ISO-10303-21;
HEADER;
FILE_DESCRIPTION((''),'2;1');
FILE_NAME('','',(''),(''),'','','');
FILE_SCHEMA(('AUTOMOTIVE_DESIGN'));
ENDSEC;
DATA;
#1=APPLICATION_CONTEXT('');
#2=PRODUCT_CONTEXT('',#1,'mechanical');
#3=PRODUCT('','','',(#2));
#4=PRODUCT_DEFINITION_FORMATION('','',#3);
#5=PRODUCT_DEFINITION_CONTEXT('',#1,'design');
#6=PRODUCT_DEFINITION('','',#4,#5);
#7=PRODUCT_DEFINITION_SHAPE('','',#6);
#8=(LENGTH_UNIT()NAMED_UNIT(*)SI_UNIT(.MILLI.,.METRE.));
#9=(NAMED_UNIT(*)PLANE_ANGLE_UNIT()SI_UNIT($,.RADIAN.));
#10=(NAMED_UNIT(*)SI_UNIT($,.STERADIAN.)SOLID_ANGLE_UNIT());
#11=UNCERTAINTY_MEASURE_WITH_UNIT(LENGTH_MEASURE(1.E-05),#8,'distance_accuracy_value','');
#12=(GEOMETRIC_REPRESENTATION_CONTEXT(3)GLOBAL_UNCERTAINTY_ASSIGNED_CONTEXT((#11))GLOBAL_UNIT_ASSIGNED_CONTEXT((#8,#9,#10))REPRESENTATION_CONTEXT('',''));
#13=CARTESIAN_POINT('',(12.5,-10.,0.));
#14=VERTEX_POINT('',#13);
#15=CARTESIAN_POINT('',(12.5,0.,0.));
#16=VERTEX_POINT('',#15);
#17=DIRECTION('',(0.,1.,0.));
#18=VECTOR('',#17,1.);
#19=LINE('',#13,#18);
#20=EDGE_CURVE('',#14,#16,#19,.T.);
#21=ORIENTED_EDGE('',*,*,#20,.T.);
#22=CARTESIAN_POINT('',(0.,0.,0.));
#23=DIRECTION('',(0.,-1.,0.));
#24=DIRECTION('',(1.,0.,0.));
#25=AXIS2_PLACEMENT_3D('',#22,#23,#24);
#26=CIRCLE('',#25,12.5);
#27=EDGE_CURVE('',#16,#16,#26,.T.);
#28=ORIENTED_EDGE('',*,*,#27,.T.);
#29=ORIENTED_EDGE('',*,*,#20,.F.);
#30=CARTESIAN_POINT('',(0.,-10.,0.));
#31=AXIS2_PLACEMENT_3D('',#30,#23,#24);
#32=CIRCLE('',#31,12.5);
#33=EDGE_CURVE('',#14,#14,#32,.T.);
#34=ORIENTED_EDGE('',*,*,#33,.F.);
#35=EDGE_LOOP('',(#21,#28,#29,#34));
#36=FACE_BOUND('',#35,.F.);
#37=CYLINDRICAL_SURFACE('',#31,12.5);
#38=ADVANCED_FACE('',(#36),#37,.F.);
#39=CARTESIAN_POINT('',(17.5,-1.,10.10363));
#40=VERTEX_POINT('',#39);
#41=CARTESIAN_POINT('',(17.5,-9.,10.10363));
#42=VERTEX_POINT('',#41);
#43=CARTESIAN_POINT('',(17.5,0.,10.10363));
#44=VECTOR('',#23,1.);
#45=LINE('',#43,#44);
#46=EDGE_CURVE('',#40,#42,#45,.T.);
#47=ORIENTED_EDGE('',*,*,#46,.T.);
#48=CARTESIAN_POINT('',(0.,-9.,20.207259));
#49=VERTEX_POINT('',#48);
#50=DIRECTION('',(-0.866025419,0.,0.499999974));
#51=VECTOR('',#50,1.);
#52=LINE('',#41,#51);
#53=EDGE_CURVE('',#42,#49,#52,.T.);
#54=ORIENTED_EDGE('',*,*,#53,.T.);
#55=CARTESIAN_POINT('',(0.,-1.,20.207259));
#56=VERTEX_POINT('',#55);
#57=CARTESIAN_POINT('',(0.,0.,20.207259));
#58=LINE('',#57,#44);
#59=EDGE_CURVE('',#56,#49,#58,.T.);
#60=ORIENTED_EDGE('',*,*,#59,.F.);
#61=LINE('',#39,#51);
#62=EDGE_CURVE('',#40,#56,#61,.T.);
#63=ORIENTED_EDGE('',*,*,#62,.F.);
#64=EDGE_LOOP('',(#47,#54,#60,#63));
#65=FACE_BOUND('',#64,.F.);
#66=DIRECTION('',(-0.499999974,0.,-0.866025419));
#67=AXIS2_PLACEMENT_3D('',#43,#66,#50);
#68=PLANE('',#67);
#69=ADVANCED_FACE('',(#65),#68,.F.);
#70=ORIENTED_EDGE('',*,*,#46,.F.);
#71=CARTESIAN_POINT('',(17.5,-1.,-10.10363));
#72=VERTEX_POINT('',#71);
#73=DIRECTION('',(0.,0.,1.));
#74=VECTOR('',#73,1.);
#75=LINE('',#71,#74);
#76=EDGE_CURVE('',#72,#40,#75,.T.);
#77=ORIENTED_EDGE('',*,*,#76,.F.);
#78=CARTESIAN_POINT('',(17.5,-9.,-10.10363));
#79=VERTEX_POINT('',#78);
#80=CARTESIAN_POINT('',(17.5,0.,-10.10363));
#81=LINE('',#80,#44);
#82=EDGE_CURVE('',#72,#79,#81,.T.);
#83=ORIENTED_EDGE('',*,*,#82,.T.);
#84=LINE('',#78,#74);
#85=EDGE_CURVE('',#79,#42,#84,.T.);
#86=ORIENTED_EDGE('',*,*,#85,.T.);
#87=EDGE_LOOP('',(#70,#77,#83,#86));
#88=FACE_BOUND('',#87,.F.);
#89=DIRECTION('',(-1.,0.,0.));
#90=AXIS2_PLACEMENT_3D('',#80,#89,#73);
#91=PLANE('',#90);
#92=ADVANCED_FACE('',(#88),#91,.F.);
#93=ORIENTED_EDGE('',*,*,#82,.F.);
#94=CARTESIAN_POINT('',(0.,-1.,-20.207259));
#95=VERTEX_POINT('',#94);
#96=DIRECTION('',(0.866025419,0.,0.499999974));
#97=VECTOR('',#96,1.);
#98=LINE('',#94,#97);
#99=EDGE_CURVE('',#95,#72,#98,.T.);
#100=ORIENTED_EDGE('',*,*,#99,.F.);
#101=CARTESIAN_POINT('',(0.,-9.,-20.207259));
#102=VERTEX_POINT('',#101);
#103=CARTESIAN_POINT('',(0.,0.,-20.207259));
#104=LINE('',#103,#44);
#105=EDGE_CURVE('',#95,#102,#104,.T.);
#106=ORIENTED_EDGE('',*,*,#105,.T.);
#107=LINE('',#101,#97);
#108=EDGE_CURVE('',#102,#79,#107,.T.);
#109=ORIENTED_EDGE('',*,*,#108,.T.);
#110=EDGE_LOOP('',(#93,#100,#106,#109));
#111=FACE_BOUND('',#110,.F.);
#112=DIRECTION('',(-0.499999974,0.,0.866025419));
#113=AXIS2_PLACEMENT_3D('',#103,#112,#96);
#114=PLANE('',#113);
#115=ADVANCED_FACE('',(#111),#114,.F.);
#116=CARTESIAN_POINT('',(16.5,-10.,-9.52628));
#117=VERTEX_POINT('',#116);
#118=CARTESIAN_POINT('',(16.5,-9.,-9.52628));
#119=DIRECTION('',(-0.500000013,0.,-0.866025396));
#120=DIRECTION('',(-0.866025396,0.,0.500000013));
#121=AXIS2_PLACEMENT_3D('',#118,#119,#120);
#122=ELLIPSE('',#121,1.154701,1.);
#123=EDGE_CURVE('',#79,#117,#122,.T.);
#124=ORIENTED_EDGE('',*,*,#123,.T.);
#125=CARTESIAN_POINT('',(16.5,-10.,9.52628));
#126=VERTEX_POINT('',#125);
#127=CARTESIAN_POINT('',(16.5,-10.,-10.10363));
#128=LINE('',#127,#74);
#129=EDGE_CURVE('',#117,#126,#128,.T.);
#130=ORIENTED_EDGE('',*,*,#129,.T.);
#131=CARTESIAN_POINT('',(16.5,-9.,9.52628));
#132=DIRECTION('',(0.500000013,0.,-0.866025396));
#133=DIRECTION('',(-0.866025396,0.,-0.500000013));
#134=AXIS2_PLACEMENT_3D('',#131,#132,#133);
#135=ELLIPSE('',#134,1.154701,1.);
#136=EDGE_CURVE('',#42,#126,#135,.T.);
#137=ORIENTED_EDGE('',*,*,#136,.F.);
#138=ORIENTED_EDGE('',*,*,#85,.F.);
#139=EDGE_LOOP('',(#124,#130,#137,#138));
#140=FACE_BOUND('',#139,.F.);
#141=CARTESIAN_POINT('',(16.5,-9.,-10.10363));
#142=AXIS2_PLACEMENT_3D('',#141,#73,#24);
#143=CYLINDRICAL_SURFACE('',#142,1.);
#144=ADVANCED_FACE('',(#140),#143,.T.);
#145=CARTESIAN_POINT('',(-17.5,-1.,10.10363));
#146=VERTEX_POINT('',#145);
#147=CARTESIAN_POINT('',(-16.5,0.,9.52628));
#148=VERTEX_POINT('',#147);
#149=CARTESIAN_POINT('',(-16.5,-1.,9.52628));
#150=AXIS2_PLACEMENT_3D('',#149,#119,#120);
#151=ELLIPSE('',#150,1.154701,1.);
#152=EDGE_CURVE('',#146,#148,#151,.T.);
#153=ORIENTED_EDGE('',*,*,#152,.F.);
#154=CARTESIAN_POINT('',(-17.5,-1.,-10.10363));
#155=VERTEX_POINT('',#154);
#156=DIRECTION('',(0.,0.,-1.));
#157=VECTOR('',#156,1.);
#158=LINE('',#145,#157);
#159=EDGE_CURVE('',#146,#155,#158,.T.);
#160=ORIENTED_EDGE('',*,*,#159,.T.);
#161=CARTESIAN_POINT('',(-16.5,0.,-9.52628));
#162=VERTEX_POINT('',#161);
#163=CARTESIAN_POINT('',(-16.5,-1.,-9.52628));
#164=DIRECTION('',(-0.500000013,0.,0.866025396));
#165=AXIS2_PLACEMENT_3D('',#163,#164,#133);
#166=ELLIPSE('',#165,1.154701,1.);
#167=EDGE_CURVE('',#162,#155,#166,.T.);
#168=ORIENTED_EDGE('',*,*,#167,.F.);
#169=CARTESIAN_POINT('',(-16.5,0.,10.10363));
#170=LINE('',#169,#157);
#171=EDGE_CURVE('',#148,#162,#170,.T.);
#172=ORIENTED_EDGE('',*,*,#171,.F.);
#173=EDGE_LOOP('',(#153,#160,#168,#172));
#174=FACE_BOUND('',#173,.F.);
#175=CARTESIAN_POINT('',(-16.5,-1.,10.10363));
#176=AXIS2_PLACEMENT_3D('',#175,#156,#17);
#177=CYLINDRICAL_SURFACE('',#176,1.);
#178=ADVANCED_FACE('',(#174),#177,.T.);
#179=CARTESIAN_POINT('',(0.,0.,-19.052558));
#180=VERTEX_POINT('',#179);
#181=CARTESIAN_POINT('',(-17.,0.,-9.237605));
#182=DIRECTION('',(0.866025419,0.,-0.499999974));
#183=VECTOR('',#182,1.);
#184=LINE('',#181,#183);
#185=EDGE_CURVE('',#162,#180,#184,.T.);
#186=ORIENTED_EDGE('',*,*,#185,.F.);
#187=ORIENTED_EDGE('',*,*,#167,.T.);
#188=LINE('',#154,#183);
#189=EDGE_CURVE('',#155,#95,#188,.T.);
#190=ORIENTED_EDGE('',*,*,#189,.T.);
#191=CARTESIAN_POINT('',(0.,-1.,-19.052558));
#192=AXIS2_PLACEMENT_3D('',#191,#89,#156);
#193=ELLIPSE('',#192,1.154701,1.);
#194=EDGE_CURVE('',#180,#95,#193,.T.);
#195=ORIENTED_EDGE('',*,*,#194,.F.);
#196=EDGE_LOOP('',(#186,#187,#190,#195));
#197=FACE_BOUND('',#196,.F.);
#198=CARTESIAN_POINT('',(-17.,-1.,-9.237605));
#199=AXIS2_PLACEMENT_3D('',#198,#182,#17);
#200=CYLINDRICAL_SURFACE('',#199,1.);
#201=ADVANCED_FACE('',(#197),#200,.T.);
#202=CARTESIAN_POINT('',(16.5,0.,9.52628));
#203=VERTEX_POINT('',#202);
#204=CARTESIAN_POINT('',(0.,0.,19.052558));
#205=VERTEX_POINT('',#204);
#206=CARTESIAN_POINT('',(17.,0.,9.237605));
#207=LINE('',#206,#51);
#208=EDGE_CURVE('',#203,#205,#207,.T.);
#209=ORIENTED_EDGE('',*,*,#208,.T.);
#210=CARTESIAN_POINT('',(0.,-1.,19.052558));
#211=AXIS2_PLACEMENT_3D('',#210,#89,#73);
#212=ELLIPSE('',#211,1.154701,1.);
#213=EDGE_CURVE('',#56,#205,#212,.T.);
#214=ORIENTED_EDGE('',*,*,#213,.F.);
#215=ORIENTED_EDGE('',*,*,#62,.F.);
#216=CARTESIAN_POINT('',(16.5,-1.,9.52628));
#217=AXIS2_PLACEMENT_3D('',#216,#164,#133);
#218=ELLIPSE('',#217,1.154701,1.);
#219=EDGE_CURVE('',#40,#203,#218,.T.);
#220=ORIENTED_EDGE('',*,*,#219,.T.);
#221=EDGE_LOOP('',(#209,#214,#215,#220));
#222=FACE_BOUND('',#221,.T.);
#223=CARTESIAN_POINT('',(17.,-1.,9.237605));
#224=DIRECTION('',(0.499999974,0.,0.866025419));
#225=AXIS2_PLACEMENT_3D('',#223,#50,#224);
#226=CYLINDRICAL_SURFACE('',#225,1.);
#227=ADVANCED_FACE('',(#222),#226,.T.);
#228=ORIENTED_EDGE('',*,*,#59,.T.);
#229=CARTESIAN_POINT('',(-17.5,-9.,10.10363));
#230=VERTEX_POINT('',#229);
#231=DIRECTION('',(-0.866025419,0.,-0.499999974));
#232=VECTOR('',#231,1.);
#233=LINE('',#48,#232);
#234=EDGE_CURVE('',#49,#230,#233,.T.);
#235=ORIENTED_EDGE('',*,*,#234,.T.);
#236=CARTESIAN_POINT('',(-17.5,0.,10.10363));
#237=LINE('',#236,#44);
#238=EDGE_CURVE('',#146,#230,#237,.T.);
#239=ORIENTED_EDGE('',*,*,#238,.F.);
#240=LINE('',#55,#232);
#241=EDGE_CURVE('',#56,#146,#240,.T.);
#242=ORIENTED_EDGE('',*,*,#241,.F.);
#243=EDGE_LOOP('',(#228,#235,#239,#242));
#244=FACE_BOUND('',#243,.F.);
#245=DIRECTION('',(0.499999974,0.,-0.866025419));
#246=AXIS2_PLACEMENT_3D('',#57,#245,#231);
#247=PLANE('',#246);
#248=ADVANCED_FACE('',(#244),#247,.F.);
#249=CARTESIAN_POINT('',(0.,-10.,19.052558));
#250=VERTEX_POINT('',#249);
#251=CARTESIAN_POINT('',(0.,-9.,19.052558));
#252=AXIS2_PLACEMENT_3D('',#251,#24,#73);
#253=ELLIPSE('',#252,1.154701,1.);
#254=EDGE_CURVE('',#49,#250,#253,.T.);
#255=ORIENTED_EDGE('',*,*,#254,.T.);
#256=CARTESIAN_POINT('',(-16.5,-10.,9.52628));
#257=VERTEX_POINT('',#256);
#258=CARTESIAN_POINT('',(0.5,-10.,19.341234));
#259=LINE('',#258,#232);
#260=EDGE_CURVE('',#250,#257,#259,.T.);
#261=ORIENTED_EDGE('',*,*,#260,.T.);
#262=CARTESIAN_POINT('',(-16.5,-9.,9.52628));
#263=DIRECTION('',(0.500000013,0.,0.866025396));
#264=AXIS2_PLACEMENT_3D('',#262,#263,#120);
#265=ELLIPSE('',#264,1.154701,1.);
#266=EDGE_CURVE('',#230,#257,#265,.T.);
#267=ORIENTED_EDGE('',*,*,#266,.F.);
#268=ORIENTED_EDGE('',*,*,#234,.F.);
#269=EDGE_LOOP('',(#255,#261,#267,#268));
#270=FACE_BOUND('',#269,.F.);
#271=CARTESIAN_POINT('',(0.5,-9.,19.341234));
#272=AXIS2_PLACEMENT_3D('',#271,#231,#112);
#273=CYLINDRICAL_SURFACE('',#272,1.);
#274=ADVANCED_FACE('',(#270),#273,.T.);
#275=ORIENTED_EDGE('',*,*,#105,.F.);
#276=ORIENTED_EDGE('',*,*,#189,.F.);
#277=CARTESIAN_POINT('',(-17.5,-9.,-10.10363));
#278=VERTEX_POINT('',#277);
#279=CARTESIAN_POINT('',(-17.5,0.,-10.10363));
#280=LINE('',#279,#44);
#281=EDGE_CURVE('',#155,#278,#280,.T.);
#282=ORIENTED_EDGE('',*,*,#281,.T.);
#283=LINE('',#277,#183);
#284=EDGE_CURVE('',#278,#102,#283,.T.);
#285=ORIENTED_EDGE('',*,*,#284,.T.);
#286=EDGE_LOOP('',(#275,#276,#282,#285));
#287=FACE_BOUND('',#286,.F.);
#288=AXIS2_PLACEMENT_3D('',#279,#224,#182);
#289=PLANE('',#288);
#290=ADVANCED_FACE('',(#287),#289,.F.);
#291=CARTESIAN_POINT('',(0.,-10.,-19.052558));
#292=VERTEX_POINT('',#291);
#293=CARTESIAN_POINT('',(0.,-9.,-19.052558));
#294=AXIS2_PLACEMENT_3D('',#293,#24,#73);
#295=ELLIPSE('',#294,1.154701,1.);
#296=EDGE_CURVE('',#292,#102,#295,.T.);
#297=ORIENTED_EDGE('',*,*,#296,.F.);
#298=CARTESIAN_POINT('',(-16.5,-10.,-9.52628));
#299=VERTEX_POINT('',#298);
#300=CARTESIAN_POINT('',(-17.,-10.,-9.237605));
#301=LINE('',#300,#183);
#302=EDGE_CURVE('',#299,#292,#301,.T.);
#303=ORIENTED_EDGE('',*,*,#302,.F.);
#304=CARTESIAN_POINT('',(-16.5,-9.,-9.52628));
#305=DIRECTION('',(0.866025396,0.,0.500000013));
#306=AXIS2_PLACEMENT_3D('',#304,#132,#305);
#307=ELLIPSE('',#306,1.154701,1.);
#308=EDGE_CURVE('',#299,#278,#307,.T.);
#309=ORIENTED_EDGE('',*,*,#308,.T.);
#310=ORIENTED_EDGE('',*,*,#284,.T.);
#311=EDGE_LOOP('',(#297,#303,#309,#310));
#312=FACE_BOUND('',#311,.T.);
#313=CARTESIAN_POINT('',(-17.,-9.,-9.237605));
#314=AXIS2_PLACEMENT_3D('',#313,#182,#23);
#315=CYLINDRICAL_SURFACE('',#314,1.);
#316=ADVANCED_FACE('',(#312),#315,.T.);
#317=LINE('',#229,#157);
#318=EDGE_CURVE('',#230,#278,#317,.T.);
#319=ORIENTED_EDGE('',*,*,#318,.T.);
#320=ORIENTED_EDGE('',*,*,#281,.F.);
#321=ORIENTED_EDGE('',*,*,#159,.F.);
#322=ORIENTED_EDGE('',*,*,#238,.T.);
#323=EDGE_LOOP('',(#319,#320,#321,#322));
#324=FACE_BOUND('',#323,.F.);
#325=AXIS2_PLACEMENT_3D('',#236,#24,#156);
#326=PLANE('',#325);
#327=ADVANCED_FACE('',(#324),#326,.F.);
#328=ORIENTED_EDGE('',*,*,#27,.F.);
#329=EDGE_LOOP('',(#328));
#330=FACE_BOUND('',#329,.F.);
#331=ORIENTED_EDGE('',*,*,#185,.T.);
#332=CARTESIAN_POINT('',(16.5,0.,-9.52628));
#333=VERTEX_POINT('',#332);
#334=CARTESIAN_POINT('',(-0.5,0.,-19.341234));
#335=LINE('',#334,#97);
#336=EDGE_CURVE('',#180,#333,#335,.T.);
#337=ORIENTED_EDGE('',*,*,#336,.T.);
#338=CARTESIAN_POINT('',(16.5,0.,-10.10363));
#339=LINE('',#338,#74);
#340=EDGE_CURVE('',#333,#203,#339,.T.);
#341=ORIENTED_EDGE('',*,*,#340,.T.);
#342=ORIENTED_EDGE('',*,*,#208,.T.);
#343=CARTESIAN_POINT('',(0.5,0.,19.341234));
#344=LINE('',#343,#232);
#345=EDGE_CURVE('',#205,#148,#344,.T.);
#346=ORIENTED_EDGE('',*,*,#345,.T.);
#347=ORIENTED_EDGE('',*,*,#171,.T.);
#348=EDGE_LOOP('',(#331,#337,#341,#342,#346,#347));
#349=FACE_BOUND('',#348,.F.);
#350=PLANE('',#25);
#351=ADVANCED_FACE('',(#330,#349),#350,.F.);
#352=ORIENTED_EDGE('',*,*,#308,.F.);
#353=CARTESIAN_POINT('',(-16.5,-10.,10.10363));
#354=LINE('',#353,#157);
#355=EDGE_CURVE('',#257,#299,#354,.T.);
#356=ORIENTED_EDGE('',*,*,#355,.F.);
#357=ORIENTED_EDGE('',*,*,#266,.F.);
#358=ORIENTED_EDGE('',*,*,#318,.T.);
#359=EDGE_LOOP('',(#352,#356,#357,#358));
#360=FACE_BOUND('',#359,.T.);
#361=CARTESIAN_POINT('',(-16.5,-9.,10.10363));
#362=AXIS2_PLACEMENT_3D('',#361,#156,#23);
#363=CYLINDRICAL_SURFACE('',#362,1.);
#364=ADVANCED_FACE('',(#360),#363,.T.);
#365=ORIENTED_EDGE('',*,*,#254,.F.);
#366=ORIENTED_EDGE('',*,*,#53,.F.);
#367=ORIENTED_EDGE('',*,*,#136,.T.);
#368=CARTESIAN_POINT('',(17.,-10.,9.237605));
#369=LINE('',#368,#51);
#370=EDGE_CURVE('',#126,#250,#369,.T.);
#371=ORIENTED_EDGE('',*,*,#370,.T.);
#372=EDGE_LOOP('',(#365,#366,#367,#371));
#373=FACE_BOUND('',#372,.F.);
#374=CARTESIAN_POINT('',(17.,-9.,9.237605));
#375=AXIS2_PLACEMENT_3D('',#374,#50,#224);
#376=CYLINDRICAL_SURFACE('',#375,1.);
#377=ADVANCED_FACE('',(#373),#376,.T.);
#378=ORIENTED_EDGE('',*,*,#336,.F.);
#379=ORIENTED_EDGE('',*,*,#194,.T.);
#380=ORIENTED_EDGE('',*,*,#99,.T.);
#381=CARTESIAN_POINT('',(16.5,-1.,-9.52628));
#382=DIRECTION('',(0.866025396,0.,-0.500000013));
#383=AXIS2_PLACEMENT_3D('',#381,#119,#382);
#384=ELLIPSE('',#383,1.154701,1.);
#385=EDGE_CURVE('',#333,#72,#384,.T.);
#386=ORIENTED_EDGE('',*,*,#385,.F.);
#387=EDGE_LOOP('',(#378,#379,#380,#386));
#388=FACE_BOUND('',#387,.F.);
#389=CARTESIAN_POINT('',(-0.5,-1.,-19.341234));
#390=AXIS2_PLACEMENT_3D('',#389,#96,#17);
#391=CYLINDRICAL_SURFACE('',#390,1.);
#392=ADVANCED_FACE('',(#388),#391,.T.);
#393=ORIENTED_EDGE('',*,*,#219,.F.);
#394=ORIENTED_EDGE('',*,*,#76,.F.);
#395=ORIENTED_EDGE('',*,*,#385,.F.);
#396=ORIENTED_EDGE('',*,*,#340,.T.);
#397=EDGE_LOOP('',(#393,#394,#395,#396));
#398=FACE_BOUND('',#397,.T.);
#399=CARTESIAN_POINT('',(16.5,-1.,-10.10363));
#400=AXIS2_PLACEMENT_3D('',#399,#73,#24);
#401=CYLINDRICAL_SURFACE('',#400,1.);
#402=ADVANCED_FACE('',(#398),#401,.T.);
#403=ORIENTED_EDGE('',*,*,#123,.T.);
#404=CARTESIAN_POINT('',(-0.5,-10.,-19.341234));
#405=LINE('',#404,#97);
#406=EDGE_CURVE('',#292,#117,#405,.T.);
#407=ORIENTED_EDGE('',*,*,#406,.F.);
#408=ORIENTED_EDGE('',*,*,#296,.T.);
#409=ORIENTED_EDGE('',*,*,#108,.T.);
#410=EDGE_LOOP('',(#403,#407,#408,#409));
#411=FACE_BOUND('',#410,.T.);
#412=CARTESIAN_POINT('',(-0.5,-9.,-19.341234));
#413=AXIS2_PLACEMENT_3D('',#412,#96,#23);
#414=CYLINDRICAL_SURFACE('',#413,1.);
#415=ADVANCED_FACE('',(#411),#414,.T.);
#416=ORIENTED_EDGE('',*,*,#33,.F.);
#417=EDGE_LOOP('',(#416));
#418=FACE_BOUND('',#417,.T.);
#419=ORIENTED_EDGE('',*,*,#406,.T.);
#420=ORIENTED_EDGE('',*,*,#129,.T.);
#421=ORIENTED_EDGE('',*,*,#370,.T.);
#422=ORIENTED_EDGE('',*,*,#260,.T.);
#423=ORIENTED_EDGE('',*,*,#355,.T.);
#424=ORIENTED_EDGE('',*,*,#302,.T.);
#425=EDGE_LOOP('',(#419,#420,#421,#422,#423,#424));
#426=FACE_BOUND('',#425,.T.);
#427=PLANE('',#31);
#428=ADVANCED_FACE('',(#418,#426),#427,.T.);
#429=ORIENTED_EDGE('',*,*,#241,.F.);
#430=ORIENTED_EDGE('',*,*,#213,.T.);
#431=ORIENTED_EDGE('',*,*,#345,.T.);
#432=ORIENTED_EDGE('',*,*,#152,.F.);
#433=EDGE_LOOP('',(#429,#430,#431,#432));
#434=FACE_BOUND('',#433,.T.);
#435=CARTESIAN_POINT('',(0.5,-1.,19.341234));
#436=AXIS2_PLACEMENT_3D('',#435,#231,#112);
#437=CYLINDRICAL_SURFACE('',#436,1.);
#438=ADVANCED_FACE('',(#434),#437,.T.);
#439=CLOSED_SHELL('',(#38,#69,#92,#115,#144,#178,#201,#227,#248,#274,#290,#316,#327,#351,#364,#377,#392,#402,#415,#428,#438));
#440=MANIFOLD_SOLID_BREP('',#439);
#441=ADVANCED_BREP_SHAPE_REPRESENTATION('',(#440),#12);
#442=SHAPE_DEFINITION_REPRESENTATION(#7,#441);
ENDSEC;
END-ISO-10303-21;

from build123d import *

# Parameters (mm, degrees)
F1_DEPTH = 10
F2_R     = 12.5
F3_DEPTH = 10.001
F4_R     = 1


with BuildPart() as f1:
    # F0 (on Front) → F1 (new body)
    with BuildSketch(Plane.XZ):
        Polygon((17.5, 10.10363), (0, 20.207259), (-17.5, 10.10363), (-17.5, -10.10363), (0, -20.207259), (17.5, -10.10363), align=None)
    extrude(amount=F1_DEPTH)

    # F2 (on face) → F3 (cut, through all)
    with BuildSketch(Plane.XZ.offset(10)):
        Circle(F2_R)
    extrude(amount=-F3_DEPTH, mode=Mode.SUBTRACT)

    # F4
    f4_edges = [f1.edges().sort_by_distance(p)[0] for p in [
        (8.75, -10, 15.155445),
        (-8.75, -10, 15.155445),
        (17.5, -10, 0),
        (8.75, -10, -15.155445),
        (-8.75, -10, -15.155445),
        (-17.5, -10, 0),
        (8.75, 0, 15.155445),
        (-8.75, 0, 15.155445),
        (-17.5, 0, 0),
        (-8.75, 0, -15.155445),
        (8.75, 0, -15.155445),
        (17.5, 0, 0),
    ]]
    fillet(f4_edges, radius=F4_R)


solid = f1.part
